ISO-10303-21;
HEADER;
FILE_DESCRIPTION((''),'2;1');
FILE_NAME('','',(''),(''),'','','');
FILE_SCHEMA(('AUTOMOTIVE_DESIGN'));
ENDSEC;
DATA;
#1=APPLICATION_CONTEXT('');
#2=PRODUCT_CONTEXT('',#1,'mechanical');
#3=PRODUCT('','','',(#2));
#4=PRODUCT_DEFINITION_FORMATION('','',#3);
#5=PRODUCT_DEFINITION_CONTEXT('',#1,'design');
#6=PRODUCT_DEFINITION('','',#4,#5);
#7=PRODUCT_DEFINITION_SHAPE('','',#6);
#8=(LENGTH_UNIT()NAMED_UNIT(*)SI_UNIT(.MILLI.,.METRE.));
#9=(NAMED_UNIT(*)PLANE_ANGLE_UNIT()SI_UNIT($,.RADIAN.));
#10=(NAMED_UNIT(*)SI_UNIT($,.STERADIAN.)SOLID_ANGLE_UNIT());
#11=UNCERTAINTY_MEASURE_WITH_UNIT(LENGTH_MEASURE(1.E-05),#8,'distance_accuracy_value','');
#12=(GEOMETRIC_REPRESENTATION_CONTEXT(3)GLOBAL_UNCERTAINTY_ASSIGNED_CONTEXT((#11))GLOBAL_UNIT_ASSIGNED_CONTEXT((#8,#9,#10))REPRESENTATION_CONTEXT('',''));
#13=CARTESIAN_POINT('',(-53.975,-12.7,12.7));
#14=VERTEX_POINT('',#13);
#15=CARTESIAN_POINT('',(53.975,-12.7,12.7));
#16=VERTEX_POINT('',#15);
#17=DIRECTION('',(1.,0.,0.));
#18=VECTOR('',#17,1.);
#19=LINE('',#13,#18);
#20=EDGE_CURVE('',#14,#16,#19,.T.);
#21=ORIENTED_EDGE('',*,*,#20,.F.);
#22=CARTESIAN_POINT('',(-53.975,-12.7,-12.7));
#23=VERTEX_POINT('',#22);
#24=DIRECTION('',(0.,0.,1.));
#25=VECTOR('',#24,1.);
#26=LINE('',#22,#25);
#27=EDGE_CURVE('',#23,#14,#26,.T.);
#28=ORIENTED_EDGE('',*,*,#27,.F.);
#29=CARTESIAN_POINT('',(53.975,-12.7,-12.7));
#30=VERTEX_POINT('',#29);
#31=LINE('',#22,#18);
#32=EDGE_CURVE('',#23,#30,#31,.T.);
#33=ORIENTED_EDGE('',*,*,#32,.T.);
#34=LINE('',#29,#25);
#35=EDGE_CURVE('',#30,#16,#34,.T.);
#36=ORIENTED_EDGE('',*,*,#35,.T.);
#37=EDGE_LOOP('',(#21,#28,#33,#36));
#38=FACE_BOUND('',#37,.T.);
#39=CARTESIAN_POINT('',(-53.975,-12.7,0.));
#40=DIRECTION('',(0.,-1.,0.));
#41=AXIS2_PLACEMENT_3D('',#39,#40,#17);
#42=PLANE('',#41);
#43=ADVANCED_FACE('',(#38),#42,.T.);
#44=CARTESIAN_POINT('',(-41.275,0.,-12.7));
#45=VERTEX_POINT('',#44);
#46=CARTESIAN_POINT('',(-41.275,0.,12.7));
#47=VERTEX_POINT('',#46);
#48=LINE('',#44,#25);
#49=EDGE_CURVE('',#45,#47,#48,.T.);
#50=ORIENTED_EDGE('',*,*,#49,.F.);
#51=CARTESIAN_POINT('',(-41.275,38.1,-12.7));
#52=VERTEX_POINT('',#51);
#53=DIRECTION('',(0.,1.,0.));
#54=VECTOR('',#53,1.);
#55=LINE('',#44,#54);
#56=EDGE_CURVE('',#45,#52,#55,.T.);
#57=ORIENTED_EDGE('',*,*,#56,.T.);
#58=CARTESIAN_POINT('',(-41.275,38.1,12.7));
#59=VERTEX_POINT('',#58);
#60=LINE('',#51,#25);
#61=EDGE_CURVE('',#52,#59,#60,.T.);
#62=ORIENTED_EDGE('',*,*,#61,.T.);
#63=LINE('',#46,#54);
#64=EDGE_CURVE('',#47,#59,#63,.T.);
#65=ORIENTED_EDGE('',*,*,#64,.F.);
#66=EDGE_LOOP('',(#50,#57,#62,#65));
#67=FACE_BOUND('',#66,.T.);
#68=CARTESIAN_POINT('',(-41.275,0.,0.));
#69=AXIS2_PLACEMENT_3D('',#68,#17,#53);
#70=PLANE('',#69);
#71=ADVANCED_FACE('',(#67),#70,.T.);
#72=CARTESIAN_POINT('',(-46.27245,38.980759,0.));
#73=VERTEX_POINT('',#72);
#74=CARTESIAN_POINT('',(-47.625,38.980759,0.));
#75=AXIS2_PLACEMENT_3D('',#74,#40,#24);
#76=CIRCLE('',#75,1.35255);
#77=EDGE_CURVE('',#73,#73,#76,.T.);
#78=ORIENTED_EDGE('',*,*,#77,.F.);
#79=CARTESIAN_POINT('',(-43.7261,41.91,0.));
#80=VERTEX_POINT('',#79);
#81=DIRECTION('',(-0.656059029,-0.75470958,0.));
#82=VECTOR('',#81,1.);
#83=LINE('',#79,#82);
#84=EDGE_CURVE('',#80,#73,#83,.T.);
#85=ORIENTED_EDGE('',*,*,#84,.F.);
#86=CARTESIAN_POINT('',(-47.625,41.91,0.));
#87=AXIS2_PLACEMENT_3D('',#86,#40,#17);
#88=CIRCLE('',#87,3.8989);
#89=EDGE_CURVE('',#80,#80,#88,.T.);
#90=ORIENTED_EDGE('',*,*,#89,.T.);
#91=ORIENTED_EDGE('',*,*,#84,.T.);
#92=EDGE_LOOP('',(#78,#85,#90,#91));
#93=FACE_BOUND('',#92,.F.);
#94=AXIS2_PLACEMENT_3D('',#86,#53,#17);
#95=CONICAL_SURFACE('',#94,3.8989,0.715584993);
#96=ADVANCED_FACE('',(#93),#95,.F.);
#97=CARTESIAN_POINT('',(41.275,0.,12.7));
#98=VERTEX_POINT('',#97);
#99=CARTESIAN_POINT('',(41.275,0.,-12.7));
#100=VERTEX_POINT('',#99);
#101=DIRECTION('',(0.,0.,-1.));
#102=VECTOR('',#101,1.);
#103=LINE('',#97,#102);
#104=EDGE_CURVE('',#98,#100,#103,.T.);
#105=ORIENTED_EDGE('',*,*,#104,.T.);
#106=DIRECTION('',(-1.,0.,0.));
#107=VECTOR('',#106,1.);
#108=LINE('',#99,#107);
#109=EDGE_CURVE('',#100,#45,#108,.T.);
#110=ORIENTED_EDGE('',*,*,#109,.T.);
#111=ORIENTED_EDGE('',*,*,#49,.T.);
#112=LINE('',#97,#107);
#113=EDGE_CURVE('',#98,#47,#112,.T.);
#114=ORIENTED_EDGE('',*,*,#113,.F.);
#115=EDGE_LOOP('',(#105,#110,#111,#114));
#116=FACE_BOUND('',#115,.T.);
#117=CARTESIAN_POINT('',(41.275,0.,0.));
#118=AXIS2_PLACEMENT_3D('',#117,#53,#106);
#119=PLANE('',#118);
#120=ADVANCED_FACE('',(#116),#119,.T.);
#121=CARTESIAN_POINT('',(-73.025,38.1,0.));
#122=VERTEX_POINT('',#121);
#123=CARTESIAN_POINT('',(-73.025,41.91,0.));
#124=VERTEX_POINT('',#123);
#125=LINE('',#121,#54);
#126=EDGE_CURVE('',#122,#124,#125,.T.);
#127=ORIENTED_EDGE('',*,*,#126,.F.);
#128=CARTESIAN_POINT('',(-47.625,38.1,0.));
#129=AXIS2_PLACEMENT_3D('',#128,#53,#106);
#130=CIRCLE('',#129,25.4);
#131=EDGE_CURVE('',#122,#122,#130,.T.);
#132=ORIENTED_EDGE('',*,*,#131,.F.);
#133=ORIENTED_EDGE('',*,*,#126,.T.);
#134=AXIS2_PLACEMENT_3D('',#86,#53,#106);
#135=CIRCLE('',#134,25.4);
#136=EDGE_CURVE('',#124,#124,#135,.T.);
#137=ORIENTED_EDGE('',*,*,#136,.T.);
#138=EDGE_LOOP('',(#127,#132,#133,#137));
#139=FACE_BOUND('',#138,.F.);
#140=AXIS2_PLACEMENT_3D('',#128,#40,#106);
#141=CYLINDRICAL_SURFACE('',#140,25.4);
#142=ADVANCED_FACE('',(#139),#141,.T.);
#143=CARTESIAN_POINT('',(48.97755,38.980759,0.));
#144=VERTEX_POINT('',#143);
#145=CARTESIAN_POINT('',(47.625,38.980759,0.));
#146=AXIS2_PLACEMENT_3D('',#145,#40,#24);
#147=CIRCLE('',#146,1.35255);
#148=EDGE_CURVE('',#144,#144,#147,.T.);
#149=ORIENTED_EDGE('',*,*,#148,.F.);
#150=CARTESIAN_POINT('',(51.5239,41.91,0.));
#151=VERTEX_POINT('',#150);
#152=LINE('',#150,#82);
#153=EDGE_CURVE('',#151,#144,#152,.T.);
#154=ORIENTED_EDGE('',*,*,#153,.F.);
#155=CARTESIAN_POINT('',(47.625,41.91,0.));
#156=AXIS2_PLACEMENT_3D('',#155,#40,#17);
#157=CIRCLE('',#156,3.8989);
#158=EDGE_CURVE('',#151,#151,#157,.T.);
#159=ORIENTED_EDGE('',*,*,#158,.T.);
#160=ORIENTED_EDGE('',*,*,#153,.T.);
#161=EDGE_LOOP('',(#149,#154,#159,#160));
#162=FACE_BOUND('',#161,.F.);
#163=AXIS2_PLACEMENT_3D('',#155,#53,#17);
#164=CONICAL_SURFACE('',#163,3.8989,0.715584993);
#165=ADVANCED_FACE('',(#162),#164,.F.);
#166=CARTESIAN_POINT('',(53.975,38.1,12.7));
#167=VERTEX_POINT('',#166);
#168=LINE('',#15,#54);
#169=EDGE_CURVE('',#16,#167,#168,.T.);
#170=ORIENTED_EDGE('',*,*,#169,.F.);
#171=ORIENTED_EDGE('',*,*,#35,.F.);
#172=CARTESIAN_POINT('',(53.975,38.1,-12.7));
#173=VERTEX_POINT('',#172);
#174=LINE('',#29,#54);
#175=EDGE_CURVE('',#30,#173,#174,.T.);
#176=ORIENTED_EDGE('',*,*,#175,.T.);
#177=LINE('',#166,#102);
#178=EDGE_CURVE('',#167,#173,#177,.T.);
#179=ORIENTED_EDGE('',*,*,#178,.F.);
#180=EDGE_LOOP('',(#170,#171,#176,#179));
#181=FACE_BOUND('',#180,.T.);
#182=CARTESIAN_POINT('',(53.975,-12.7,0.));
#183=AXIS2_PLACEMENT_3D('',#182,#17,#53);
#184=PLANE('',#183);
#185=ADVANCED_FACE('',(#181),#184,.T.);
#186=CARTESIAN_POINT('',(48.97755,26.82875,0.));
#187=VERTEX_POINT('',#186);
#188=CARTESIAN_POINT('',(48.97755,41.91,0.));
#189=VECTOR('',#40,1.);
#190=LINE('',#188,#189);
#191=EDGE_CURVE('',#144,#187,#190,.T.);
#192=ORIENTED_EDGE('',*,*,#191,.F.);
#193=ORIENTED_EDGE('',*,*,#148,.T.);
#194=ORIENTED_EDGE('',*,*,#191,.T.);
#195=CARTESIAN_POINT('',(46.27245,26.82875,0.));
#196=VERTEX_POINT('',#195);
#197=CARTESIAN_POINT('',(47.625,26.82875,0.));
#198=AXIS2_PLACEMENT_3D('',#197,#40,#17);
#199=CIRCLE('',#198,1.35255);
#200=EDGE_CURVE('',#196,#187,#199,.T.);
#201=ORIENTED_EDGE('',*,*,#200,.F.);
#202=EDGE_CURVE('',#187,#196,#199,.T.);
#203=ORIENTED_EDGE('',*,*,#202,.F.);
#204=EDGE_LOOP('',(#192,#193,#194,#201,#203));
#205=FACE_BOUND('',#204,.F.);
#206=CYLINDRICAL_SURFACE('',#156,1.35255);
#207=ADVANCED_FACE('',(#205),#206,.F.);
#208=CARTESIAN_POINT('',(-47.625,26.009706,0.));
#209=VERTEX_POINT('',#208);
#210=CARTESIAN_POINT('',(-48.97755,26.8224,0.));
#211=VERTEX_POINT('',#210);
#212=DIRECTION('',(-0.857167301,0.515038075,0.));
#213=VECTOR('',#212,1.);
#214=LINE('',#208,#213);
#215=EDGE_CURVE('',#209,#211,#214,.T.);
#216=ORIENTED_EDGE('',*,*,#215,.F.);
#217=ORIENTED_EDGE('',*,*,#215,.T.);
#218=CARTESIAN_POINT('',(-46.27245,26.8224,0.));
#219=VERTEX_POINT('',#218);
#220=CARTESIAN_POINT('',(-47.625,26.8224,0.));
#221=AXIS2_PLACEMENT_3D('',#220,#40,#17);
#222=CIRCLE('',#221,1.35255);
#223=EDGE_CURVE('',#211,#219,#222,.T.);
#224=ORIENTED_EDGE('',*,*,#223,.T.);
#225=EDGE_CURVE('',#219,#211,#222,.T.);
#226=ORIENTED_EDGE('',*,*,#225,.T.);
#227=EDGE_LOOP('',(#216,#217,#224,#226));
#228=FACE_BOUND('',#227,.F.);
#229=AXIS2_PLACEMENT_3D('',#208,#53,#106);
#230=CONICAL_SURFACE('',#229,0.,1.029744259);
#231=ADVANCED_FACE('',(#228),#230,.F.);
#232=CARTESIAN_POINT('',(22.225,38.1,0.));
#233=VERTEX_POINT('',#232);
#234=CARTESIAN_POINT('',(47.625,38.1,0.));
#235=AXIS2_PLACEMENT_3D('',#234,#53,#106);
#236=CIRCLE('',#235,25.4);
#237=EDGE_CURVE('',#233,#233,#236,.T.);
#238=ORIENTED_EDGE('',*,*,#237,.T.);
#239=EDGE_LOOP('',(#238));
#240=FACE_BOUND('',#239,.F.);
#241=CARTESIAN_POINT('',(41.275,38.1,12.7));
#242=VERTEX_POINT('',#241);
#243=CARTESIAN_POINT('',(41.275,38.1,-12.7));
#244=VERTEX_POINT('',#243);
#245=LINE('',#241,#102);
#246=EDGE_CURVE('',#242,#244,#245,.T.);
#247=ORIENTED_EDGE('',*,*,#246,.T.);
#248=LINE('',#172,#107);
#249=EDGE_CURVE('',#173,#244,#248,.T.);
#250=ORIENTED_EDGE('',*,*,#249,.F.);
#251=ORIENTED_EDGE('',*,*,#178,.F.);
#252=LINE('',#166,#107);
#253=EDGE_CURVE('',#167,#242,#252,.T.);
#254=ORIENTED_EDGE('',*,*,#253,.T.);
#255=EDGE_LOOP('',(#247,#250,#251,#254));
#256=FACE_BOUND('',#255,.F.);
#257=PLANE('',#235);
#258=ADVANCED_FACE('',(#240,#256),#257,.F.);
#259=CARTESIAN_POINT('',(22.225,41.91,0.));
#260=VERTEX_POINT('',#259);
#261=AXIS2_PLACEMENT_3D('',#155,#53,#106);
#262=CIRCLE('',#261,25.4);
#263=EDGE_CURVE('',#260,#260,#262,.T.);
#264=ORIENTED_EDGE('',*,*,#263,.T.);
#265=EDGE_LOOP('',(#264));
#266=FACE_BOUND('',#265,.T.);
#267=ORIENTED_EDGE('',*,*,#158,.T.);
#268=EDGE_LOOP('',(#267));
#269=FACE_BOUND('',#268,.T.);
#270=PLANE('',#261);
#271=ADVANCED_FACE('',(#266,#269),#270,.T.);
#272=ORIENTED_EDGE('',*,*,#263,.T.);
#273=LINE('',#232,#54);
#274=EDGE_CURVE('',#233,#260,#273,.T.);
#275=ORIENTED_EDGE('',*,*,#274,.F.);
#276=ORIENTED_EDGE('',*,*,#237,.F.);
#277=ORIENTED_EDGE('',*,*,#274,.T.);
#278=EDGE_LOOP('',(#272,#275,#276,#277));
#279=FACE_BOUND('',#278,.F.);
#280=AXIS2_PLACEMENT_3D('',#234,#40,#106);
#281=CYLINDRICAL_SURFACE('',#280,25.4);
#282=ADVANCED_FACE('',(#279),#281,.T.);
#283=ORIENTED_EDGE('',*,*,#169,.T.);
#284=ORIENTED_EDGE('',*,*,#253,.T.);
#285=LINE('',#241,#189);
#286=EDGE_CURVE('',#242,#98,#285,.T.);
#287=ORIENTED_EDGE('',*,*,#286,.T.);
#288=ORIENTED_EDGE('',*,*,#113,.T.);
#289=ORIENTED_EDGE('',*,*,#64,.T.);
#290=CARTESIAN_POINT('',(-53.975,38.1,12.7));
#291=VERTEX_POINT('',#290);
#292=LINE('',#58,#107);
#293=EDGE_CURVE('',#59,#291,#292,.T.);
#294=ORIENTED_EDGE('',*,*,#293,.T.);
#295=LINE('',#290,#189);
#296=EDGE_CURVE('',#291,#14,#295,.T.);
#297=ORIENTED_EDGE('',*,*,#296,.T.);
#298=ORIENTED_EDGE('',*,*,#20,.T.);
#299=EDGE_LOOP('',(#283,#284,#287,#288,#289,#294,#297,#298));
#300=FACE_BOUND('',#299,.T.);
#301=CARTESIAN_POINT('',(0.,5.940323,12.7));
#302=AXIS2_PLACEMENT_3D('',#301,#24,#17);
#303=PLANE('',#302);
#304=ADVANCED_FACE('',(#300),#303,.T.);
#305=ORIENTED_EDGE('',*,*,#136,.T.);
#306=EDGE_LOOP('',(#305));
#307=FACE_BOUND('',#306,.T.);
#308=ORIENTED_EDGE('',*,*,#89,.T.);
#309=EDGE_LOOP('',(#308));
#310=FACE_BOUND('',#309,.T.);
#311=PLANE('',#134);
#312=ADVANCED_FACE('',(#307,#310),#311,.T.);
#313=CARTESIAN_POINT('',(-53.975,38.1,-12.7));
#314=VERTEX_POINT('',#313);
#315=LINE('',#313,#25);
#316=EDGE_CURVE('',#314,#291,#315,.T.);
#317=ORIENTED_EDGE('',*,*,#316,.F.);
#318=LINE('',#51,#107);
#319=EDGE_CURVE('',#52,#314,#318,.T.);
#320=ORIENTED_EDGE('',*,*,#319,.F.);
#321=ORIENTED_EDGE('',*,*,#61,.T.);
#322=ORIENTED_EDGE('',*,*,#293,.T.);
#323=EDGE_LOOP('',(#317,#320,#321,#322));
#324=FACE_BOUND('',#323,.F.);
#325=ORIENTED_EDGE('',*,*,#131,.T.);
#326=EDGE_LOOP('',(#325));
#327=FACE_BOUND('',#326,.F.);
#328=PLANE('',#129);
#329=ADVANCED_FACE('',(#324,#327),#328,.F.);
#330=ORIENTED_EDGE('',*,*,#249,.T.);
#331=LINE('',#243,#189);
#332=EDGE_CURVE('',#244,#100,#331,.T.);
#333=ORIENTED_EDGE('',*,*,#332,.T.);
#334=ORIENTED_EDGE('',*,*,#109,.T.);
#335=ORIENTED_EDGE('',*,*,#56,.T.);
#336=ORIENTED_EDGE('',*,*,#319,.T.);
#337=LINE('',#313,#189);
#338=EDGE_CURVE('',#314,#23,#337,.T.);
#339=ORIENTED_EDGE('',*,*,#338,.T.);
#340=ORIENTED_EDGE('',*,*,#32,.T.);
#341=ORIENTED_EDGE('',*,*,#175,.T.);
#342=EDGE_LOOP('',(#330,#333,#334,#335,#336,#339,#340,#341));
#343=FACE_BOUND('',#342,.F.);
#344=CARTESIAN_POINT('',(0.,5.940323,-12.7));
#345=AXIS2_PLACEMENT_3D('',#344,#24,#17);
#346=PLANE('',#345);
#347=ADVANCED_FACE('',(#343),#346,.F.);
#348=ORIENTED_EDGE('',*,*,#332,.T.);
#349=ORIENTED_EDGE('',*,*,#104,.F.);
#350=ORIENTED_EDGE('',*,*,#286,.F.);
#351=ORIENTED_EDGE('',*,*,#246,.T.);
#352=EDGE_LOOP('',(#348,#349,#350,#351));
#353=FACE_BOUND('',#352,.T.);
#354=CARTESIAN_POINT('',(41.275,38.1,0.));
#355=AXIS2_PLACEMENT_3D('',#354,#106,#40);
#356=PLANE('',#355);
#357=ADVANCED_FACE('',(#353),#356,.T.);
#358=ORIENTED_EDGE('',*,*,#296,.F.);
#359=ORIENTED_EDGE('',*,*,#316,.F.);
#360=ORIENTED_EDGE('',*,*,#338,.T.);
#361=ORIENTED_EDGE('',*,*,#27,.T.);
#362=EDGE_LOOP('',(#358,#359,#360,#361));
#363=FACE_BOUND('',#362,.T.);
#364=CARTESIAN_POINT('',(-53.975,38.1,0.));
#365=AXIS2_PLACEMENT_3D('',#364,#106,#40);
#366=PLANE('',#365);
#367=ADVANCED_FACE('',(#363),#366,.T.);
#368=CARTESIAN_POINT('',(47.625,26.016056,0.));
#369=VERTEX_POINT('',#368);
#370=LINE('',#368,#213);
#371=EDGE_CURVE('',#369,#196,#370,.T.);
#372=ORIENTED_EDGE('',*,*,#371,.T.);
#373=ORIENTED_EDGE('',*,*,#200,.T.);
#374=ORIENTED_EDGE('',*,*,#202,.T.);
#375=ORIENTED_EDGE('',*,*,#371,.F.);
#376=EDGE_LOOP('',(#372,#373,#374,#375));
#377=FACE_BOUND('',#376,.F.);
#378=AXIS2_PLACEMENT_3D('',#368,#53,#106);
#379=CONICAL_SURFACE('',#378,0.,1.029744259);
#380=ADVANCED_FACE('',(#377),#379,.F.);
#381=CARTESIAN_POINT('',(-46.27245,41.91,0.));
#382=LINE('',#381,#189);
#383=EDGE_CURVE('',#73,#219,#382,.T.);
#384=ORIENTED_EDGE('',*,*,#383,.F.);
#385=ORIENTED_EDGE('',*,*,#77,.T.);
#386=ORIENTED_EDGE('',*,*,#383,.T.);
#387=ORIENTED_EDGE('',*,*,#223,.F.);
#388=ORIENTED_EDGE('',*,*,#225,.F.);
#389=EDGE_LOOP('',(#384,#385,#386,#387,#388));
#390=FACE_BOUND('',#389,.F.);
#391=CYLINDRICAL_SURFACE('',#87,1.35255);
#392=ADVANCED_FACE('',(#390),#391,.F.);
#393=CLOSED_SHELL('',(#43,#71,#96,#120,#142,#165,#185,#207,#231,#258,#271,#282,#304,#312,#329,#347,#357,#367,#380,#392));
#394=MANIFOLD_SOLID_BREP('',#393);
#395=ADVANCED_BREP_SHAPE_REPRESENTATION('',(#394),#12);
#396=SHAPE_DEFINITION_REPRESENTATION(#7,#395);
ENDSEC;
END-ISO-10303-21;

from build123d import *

# Parameters (mm, degrees)
F1_DEPTH       = 12.7
F3_R           = 25.4
F3_W           = 12.7
F3_H           = 25.4
F2_R           = 25.4
F2_W           = 12.7
F2_H           = 25.4
F4_DEPTH       = 3.81
F6_D           = 2.7051
F6_DEPTH       = 15.08125
F6_CSINK_D     = 7.7978
F6_CSINK_ANGLE = 82
F6_TIP         = 0.8126940303
F8_D           = 2.7051
F8_DEPTH       = 15.0876
F8_CSINK_D     = 7.7978
F8_CSINK_ANGLE = 82
F8_TIP         = 0.8126940303


with BuildPart() as f1:
    # F0 (on Top) → F1 (new body, symmetric)
    with BuildSketch(Plane.XY):
        Polygon((41.275, 0), (-41.275, 0), (-41.275, 38.1), (-53.975, 38.1), (-53.975, -12.7), (53.975, -12.7), (53.975, 38.1), (41.275, 38.1), align=None)
    extrude(amount=F1_DEPTH, both=True)

    # F3 (on face) + F2 (on face) → F4 (join)
    with BuildSketch(Plane(origin=(0, 38.1, 0), x_dir=(-1, 0, 0), z_dir=(0, 1, 0))):
        with Locations((47.625, 0)):
            Circle(F3_R)
        with Locations((47.625, 0)):
            Rectangle(F3_W, F3_H, mode=Mode.SUBTRACT)
        with Locations((47.625, 0)):
            Rectangle(F3_W, F3_H)
    with BuildSketch(Plane(origin=(0, 38.1, 0), x_dir=(-1, 0, 0), z_dir=(0, 1, 0))):
        with Locations((-47.625, 0)):
            Circle(F2_R)
        with Locations((-47.625, 0)):
            Rectangle(F2_W, F2_H, mode=Mode.SUBTRACT)
        with Locations((-47.625, 0)):
            Rectangle(F2_W, F2_H)
    extrude(amount=F4_DEPTH)

    # F6
    with Locations(Plane(origin=(0, 41.91, 0), x_dir=(-1, 0, 0), z_dir=(0, 1, 0))):
        with Locations((-47.625, 0)):
            CounterSinkHole(F6_D / 2, F6_CSINK_D / 2, depth=F6_DEPTH, counter_sink_angle=F6_CSINK_ANGLE)
            with Locations((0, 0, -(F6_DEPTH + F6_TIP / 2))):  # 118° drill point
                Cone(0, F6_D / 2, F6_TIP, mode=Mode.SUBTRACT)

    # F8
    with Locations(Plane(origin=(0, 41.91, 0), x_dir=(-1, 0, 0), z_dir=(0, 1, 0))):
        with Locations((47.625, 0)):
            CounterSinkHole(F8_D / 2, F8_CSINK_D / 2, depth=F8_DEPTH, counter_sink_angle=F8_CSINK_ANGLE)
            with Locations((0, 0, -(F8_DEPTH + F8_TIP / 2))):  # 118° drill point
                Cone(0, F8_D / 2, F8_TIP, mode=Mode.SUBTRACT)


solid = f1.part
